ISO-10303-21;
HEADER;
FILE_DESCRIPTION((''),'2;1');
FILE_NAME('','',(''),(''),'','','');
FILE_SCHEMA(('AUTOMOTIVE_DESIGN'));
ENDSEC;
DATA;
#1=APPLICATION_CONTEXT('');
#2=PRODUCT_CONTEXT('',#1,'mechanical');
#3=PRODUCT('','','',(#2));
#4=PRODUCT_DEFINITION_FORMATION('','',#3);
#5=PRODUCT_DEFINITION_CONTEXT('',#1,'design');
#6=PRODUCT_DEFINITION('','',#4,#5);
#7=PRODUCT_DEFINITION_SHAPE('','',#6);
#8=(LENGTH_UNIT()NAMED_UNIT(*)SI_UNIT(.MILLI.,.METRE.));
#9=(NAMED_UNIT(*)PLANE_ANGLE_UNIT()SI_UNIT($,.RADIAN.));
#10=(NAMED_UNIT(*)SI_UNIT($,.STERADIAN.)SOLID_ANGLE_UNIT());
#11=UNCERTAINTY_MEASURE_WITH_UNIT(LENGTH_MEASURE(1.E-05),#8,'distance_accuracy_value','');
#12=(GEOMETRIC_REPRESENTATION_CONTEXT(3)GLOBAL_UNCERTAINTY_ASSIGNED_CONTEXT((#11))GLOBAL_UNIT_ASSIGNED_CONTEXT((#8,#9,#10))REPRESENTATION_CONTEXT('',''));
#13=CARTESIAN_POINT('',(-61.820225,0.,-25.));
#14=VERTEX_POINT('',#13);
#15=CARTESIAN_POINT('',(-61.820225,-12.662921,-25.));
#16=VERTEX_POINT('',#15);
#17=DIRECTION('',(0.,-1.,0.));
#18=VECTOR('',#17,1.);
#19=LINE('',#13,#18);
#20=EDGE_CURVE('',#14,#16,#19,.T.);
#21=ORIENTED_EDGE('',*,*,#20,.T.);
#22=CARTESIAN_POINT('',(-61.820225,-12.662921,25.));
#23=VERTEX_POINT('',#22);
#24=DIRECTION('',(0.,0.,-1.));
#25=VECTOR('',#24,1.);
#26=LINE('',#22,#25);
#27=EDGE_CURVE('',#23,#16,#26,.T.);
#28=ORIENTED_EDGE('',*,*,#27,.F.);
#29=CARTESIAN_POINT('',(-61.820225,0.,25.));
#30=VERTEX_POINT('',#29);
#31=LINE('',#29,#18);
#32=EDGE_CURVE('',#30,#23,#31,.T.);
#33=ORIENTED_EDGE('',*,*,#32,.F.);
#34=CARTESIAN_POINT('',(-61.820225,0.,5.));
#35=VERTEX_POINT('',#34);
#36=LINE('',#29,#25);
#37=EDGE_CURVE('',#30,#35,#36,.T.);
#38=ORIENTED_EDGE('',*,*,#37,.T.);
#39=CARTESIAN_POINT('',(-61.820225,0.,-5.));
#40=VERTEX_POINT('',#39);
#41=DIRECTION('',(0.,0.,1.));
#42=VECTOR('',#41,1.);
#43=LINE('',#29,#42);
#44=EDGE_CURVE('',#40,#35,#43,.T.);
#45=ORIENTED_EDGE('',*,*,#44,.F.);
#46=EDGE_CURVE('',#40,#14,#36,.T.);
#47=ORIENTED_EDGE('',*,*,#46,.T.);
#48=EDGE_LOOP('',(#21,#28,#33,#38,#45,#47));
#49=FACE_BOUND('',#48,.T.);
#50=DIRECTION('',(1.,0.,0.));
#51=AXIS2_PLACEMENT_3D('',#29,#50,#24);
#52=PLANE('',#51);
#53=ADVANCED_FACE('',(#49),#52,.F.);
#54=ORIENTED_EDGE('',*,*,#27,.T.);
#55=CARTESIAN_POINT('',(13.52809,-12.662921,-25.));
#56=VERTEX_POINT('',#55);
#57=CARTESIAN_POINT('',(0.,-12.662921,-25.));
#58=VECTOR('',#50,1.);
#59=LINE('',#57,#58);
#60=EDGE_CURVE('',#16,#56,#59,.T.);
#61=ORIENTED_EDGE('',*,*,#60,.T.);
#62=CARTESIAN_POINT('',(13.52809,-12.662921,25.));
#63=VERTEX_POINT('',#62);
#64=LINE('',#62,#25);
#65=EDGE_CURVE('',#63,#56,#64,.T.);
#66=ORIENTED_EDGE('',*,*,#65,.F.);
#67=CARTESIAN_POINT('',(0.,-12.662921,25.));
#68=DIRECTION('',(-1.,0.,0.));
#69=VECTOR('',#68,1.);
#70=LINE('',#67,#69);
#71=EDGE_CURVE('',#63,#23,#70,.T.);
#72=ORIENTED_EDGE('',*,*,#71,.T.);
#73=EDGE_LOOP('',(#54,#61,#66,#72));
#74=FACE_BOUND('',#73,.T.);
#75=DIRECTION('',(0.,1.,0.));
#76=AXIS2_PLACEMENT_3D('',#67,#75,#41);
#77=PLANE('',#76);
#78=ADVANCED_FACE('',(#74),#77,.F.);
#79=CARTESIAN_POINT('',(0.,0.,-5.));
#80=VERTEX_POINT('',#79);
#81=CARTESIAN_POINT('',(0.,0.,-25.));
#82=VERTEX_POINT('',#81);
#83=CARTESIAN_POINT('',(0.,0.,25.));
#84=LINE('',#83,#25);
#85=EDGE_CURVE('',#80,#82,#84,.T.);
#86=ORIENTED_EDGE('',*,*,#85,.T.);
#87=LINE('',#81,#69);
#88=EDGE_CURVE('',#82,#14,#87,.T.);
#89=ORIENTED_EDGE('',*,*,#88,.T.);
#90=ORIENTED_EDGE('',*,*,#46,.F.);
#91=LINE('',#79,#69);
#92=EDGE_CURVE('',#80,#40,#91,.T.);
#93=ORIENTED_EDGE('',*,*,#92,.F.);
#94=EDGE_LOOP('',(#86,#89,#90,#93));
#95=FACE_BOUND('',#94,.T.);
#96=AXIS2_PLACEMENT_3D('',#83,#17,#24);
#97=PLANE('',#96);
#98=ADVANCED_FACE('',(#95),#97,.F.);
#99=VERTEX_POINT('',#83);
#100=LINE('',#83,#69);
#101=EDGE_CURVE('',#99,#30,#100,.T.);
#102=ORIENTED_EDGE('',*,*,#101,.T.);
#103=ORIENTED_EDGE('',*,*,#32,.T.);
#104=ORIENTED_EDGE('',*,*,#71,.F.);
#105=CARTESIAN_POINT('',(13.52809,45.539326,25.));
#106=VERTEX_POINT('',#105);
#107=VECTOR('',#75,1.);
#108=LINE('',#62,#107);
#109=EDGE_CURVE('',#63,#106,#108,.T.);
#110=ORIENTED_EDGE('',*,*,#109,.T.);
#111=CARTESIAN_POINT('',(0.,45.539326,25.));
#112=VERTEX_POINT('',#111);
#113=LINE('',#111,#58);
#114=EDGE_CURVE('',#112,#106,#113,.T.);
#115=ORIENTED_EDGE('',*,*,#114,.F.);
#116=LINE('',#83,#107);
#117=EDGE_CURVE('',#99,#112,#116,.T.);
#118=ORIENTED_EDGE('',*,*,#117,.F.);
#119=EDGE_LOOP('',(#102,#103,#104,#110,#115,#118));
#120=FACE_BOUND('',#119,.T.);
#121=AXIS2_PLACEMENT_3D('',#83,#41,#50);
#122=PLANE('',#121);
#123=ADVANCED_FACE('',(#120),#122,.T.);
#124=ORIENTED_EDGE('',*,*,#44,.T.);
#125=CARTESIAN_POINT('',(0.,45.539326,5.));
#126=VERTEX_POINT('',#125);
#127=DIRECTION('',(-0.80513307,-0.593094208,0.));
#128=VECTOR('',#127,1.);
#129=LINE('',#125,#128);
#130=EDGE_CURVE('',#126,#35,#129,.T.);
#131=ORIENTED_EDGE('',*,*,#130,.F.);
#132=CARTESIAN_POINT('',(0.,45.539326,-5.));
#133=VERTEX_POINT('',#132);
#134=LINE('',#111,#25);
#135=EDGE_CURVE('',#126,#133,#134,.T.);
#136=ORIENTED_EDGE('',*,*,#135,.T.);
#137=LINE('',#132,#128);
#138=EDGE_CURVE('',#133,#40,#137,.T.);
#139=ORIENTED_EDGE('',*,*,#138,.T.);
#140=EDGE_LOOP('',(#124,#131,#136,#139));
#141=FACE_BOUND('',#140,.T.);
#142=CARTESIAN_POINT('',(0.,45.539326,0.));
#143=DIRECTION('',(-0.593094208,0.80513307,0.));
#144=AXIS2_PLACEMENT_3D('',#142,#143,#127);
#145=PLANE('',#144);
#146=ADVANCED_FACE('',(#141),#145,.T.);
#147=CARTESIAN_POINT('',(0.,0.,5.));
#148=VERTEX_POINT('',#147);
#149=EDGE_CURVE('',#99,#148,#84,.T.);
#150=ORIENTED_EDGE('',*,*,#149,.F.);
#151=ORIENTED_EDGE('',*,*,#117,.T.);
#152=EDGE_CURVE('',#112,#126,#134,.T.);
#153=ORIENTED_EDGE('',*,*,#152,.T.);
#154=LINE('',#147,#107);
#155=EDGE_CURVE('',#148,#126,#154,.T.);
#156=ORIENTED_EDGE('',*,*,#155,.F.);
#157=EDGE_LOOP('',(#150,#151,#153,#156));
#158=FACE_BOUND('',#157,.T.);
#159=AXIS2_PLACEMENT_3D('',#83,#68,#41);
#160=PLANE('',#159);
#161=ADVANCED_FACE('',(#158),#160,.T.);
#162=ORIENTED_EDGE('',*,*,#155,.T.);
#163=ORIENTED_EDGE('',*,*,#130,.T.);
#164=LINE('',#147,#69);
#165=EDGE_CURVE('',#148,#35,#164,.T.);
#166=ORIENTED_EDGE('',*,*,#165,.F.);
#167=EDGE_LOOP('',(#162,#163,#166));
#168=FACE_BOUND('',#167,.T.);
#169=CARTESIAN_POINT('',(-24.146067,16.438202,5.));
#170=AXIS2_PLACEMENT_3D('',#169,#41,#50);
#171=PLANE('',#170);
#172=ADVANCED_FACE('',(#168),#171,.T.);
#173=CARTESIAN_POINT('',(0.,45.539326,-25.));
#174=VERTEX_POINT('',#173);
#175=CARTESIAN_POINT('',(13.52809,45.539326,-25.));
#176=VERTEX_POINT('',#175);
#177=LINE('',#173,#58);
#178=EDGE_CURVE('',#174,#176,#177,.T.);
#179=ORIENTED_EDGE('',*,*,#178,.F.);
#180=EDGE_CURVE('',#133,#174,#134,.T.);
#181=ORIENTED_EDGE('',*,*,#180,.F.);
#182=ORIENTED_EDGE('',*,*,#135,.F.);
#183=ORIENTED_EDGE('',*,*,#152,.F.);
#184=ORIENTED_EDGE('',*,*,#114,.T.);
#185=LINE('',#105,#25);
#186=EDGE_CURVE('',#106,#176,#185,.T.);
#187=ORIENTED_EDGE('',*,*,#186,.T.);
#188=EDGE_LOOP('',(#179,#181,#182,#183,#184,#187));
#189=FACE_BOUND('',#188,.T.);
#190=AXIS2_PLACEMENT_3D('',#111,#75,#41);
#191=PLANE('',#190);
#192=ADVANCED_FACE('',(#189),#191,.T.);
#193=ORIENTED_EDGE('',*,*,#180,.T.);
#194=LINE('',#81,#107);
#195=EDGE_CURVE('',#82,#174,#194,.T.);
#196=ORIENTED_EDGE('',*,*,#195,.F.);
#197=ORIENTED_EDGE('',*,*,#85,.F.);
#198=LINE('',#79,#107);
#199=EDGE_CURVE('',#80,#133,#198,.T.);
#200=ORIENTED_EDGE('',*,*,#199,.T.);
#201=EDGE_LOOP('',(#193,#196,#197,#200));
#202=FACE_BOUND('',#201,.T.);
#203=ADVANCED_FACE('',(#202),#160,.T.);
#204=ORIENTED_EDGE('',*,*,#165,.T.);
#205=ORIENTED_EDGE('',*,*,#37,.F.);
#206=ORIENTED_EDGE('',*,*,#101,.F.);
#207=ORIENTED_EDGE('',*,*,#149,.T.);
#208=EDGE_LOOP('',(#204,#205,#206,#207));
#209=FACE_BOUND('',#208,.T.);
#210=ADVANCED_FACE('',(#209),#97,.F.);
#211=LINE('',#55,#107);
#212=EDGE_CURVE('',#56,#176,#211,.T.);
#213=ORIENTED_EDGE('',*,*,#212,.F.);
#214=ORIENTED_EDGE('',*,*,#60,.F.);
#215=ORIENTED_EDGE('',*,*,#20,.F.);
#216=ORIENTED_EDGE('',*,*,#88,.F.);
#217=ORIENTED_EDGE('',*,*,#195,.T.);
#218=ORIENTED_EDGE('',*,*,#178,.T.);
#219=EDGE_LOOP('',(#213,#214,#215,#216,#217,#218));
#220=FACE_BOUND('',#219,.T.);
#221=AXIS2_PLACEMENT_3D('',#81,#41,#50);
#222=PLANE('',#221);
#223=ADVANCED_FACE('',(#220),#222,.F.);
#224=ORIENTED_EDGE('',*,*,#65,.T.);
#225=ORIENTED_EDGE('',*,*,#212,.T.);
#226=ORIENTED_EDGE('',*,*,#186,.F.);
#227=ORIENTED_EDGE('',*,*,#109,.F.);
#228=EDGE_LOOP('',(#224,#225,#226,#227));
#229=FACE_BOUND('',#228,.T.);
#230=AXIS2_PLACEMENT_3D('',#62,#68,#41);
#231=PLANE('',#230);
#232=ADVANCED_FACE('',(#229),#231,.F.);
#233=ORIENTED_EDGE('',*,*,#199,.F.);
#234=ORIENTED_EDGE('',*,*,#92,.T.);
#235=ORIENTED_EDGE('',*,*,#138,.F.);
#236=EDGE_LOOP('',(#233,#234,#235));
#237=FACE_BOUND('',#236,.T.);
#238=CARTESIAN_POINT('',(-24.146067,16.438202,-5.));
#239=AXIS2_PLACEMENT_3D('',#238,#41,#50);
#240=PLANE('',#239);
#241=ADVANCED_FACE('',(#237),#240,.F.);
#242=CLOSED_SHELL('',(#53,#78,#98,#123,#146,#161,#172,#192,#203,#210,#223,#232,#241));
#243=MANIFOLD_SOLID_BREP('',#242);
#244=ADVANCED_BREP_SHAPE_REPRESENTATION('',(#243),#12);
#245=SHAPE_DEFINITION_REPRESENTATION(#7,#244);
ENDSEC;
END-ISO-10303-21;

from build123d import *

# Parameters (mm, degrees)
BOSS_EXTRUDE2_DEPTH = 25
RIB4_REACH          = 82.75
SKETCH2_WALL_W      = 240.282714568
SKETCH2_WALL_H      = 10


with BuildPart() as part:
    # Sketch1 → Boss-Extrude2 (new, symmetric)
    with BuildSketch(Plane.XY):
        Polygon((0, 0), (-61.820224508, 0), (-61.820224508, -12.662921305), (0, -12.662921305), (13.528089841, -12.662921305), (13.528089841, 45.539325687), (0, 45.539325687), align=None)
    extrude(amount=BOSS_EXTRUDE2_DEPTH, both=True)

    # Sketch2 wall → Rib4 (add, up to next)
    with BuildSketch(Plane(origin=(-30.910112254, 22.769662844, 0), x_dir=(-0.805133069987, -0.593094208042, 0), z_dir=(0.593094208042, -0.805133069987, 0)), mode=Mode.PRIVATE) as rib4_sk1:
        Rectangle(SKETCH2_WALL_W, SKETCH2_WALL_H)
    rib4_tool1 = extrude(rib4_sk1.sketch, amount=RIB4_REACH, mode=Mode.PRIVATE) - part.part
    add(rib4_tool1.solids().sort_by_distance((-30.910112254, 22.769662844, 0))[0])


solid = part.part
